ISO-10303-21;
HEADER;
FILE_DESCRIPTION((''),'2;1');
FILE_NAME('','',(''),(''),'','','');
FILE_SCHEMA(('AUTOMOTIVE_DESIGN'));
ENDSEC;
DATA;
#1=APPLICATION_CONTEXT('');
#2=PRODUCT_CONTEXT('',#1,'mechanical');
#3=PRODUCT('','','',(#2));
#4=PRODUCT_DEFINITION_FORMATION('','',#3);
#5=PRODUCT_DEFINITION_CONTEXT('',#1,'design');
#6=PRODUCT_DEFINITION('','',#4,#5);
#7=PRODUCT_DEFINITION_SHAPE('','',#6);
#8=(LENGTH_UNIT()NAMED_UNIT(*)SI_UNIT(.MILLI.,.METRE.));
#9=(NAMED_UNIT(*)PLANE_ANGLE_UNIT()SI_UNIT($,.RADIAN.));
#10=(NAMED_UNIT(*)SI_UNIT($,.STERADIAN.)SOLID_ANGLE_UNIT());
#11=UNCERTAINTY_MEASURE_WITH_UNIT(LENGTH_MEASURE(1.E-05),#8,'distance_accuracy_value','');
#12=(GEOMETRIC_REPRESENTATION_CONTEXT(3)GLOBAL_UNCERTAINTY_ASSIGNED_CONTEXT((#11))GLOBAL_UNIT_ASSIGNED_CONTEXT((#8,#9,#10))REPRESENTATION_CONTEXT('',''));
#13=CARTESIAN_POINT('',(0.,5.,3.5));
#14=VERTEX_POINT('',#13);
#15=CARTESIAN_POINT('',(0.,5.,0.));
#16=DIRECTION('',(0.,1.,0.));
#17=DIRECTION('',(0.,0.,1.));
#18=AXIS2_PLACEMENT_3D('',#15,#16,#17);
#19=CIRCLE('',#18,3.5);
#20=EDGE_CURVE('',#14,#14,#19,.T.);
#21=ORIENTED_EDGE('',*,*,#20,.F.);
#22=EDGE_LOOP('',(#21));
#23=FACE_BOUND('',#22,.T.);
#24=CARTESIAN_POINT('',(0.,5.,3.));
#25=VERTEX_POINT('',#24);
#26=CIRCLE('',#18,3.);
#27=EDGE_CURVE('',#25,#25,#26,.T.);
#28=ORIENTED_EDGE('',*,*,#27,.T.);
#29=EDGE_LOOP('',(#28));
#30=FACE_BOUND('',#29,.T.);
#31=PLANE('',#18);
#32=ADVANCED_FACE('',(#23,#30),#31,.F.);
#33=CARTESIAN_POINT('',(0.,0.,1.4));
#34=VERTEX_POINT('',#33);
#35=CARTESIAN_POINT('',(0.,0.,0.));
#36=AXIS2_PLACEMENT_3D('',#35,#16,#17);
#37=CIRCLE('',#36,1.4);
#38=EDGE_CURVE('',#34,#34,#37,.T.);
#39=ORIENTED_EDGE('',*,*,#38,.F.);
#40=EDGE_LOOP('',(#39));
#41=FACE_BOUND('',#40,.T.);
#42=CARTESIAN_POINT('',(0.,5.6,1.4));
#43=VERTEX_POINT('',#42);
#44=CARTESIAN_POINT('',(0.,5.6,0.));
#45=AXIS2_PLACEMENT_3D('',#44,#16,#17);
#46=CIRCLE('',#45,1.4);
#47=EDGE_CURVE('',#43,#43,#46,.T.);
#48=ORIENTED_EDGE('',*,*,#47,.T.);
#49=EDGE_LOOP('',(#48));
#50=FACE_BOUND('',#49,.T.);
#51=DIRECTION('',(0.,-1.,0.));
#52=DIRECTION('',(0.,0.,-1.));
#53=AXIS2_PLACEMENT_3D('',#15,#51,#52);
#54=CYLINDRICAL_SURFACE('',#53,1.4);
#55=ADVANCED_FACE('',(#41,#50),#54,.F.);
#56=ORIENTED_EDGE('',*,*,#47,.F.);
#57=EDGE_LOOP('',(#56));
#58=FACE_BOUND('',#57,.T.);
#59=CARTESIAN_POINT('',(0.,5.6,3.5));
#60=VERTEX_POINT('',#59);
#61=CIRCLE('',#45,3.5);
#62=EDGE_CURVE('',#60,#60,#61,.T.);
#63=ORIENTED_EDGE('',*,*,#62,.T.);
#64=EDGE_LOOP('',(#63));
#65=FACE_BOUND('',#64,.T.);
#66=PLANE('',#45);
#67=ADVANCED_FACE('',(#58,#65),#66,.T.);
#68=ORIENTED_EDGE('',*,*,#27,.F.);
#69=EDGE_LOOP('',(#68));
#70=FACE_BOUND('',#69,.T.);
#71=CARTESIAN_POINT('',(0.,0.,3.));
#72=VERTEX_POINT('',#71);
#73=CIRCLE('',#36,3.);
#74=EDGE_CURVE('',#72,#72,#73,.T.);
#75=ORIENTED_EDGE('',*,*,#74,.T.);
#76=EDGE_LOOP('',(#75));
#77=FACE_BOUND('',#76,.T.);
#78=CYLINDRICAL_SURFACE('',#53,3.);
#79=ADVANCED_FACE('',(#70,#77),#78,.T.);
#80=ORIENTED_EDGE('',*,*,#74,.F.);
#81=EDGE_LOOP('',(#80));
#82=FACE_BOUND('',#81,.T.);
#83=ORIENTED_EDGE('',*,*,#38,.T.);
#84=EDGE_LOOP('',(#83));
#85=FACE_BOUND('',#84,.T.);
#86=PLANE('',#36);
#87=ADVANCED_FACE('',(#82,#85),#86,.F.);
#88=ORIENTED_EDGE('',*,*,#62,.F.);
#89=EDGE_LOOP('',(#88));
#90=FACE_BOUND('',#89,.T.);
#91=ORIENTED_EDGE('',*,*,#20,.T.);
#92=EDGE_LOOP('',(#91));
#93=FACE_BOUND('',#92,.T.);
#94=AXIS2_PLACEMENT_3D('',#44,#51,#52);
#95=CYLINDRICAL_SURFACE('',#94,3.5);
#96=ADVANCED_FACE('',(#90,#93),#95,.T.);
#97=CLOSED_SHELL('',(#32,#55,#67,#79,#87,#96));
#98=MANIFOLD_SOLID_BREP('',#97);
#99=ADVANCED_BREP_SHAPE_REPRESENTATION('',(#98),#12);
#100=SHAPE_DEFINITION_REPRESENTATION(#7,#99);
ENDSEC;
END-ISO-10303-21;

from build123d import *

# Parameters (mm, degrees)
SKETCH1_R           = 3
SKETCH1_R_2         = 1.4
BOSS_EXTRUDE1_DEPTH = 5
SKETCH2_R           = 3.5
SKETCH2_R_2         = 1.4
BOSS_EXTRUDE2_DEPTH = 0.6


with BuildPart() as part:
    # Sketch1 → Boss-Extrude1 (new body)
    with BuildSketch(Plane(origin=(0, 0, 0), x_dir=(1, 0, 0), z_dir=(0, 1, 0))):
        with Locations(Location((0, 0, 0), (0, 0, 270))):
            Circle(SKETCH1_R)
        with Locations(Location((0, 0, 0), (0, 0, 270))):
            Circle(SKETCH1_R_2, mode=Mode.SUBTRACT)
    extrude(amount=BOSS_EXTRUDE1_DEPTH)

    # Sketch2 → Boss-Extrude2 (add)
    with BuildSketch(Plane(origin=(0, 5, 0), x_dir=(1, 0, 0), z_dir=(0, 1, 0))):
        with Locations(Location((0, 0, 0), (0, 0, 270))):
            Circle(SKETCH2_R)
        with Locations(Location((0, 0, 0), (0, 0, 270))):
            Circle(SKETCH2_R_2, mode=Mode.SUBTRACT)
    extrude(amount=BOSS_EXTRUDE2_DEPTH)


solid = part.part
